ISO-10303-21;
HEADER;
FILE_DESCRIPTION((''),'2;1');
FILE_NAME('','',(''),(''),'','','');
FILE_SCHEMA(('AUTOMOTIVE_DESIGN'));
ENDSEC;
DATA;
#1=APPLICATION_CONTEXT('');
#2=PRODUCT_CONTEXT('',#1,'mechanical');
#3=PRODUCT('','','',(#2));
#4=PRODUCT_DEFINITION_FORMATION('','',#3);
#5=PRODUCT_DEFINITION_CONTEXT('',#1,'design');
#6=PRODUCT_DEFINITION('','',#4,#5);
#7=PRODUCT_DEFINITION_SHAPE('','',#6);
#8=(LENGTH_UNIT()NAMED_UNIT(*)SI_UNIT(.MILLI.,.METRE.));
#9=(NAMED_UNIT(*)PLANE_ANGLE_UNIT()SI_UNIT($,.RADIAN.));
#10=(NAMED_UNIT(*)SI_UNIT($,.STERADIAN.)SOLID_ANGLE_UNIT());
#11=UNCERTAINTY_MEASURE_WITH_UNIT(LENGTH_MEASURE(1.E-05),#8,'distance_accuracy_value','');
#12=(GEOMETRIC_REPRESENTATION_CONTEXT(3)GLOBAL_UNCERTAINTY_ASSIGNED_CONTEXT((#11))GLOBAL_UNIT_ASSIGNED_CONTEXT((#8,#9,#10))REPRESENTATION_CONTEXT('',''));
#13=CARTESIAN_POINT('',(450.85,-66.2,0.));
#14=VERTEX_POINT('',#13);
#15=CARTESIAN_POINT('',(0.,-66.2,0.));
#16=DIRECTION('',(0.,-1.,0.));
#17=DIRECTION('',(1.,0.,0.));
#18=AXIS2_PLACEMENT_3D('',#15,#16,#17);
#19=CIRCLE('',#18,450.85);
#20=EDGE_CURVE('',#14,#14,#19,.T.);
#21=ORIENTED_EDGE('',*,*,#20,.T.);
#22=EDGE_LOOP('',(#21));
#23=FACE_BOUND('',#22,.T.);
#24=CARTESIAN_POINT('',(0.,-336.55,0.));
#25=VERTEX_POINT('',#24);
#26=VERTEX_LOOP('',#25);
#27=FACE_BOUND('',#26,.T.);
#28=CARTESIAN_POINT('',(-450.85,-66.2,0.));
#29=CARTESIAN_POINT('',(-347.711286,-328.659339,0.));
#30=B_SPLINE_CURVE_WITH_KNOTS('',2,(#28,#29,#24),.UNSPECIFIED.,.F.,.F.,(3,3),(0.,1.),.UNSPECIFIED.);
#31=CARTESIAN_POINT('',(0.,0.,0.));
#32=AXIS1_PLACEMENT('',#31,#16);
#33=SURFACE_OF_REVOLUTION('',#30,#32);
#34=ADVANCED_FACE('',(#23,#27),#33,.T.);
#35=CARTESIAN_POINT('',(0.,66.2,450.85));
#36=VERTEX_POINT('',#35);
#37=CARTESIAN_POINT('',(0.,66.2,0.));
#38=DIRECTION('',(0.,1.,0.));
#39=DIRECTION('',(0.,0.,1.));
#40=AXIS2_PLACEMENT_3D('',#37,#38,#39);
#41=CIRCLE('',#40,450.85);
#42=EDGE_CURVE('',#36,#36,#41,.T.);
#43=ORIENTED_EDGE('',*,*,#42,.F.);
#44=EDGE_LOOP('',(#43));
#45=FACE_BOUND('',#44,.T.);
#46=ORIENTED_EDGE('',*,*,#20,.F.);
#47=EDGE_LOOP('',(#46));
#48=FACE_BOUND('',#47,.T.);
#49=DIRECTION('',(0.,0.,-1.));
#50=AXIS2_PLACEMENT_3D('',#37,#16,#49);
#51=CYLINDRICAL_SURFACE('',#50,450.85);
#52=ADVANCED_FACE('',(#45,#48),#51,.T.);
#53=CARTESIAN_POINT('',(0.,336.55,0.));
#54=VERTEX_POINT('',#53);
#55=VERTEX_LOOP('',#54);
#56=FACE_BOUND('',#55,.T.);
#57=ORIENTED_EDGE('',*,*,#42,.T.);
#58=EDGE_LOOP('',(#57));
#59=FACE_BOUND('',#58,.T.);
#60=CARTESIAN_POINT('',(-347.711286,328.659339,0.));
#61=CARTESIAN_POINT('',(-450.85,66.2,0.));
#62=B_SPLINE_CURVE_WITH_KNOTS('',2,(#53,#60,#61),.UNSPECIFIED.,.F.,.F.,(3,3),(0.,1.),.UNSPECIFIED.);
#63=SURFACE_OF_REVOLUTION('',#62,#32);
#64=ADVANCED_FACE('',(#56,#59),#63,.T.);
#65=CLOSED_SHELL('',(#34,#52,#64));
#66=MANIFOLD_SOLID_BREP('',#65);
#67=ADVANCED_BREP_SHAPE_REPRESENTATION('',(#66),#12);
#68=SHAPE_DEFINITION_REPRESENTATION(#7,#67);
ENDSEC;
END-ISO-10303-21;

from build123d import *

# Parameters (mm, degrees)
SKETCH4_R           = 450.85
BOSS_EXTRUDE2_DEPTH = 66.2


with BuildPart() as part:
    # Sketch4 → Boss-Extrude2 (new, symmetric)
    with BuildSketch(Plane(origin=(0, 0, 0), x_dir=(1, 0, 0), z_dir=(0, 1, 0))):
        with Locations(Location((0, 0, 0), (0, 0, 270))):
            Circle(SKETCH4_R)
    extrude(amount=BOSS_EXTRUDE2_DEPTH, both=True)

    # Sketch10 → Revolve7 (revolve)
    with BuildSketch(Plane.XY, mode=Mode.PRIVATE) as revolve7_sk:
        with BuildLine():
            Line((-450.85, 66.2), (0, 66.2))
            Line((0, 66.2), (0, 336.55))
            add(Edge.make_bspline(
                [(-450.85, 66.2), (-347.711285852, 328.659338565), (0, 336.55)],
                knots=[0, 0, 0, 1, 1, 1], degree=2))
        make_face()
        with BuildLine():
            Line((-450.85, -66.2), (0, -66.2))
            Line((0, -66.2), (0, -336.55))
            add(Edge.make_bspline(
                [(-450.85, -66.2), (-347.711285852, -328.659338565), (0, -336.55)],
                knots=[0, 0, 0, 1, 1, 1], degree=2))
        make_face()
    revolve(revolve7_sk.sketch.rotate(Axis((0, 0, 0), (0, 1, 0)), 180), axis=Axis((0, 0, 0), (0, 1, 0)))


solid = part.part
